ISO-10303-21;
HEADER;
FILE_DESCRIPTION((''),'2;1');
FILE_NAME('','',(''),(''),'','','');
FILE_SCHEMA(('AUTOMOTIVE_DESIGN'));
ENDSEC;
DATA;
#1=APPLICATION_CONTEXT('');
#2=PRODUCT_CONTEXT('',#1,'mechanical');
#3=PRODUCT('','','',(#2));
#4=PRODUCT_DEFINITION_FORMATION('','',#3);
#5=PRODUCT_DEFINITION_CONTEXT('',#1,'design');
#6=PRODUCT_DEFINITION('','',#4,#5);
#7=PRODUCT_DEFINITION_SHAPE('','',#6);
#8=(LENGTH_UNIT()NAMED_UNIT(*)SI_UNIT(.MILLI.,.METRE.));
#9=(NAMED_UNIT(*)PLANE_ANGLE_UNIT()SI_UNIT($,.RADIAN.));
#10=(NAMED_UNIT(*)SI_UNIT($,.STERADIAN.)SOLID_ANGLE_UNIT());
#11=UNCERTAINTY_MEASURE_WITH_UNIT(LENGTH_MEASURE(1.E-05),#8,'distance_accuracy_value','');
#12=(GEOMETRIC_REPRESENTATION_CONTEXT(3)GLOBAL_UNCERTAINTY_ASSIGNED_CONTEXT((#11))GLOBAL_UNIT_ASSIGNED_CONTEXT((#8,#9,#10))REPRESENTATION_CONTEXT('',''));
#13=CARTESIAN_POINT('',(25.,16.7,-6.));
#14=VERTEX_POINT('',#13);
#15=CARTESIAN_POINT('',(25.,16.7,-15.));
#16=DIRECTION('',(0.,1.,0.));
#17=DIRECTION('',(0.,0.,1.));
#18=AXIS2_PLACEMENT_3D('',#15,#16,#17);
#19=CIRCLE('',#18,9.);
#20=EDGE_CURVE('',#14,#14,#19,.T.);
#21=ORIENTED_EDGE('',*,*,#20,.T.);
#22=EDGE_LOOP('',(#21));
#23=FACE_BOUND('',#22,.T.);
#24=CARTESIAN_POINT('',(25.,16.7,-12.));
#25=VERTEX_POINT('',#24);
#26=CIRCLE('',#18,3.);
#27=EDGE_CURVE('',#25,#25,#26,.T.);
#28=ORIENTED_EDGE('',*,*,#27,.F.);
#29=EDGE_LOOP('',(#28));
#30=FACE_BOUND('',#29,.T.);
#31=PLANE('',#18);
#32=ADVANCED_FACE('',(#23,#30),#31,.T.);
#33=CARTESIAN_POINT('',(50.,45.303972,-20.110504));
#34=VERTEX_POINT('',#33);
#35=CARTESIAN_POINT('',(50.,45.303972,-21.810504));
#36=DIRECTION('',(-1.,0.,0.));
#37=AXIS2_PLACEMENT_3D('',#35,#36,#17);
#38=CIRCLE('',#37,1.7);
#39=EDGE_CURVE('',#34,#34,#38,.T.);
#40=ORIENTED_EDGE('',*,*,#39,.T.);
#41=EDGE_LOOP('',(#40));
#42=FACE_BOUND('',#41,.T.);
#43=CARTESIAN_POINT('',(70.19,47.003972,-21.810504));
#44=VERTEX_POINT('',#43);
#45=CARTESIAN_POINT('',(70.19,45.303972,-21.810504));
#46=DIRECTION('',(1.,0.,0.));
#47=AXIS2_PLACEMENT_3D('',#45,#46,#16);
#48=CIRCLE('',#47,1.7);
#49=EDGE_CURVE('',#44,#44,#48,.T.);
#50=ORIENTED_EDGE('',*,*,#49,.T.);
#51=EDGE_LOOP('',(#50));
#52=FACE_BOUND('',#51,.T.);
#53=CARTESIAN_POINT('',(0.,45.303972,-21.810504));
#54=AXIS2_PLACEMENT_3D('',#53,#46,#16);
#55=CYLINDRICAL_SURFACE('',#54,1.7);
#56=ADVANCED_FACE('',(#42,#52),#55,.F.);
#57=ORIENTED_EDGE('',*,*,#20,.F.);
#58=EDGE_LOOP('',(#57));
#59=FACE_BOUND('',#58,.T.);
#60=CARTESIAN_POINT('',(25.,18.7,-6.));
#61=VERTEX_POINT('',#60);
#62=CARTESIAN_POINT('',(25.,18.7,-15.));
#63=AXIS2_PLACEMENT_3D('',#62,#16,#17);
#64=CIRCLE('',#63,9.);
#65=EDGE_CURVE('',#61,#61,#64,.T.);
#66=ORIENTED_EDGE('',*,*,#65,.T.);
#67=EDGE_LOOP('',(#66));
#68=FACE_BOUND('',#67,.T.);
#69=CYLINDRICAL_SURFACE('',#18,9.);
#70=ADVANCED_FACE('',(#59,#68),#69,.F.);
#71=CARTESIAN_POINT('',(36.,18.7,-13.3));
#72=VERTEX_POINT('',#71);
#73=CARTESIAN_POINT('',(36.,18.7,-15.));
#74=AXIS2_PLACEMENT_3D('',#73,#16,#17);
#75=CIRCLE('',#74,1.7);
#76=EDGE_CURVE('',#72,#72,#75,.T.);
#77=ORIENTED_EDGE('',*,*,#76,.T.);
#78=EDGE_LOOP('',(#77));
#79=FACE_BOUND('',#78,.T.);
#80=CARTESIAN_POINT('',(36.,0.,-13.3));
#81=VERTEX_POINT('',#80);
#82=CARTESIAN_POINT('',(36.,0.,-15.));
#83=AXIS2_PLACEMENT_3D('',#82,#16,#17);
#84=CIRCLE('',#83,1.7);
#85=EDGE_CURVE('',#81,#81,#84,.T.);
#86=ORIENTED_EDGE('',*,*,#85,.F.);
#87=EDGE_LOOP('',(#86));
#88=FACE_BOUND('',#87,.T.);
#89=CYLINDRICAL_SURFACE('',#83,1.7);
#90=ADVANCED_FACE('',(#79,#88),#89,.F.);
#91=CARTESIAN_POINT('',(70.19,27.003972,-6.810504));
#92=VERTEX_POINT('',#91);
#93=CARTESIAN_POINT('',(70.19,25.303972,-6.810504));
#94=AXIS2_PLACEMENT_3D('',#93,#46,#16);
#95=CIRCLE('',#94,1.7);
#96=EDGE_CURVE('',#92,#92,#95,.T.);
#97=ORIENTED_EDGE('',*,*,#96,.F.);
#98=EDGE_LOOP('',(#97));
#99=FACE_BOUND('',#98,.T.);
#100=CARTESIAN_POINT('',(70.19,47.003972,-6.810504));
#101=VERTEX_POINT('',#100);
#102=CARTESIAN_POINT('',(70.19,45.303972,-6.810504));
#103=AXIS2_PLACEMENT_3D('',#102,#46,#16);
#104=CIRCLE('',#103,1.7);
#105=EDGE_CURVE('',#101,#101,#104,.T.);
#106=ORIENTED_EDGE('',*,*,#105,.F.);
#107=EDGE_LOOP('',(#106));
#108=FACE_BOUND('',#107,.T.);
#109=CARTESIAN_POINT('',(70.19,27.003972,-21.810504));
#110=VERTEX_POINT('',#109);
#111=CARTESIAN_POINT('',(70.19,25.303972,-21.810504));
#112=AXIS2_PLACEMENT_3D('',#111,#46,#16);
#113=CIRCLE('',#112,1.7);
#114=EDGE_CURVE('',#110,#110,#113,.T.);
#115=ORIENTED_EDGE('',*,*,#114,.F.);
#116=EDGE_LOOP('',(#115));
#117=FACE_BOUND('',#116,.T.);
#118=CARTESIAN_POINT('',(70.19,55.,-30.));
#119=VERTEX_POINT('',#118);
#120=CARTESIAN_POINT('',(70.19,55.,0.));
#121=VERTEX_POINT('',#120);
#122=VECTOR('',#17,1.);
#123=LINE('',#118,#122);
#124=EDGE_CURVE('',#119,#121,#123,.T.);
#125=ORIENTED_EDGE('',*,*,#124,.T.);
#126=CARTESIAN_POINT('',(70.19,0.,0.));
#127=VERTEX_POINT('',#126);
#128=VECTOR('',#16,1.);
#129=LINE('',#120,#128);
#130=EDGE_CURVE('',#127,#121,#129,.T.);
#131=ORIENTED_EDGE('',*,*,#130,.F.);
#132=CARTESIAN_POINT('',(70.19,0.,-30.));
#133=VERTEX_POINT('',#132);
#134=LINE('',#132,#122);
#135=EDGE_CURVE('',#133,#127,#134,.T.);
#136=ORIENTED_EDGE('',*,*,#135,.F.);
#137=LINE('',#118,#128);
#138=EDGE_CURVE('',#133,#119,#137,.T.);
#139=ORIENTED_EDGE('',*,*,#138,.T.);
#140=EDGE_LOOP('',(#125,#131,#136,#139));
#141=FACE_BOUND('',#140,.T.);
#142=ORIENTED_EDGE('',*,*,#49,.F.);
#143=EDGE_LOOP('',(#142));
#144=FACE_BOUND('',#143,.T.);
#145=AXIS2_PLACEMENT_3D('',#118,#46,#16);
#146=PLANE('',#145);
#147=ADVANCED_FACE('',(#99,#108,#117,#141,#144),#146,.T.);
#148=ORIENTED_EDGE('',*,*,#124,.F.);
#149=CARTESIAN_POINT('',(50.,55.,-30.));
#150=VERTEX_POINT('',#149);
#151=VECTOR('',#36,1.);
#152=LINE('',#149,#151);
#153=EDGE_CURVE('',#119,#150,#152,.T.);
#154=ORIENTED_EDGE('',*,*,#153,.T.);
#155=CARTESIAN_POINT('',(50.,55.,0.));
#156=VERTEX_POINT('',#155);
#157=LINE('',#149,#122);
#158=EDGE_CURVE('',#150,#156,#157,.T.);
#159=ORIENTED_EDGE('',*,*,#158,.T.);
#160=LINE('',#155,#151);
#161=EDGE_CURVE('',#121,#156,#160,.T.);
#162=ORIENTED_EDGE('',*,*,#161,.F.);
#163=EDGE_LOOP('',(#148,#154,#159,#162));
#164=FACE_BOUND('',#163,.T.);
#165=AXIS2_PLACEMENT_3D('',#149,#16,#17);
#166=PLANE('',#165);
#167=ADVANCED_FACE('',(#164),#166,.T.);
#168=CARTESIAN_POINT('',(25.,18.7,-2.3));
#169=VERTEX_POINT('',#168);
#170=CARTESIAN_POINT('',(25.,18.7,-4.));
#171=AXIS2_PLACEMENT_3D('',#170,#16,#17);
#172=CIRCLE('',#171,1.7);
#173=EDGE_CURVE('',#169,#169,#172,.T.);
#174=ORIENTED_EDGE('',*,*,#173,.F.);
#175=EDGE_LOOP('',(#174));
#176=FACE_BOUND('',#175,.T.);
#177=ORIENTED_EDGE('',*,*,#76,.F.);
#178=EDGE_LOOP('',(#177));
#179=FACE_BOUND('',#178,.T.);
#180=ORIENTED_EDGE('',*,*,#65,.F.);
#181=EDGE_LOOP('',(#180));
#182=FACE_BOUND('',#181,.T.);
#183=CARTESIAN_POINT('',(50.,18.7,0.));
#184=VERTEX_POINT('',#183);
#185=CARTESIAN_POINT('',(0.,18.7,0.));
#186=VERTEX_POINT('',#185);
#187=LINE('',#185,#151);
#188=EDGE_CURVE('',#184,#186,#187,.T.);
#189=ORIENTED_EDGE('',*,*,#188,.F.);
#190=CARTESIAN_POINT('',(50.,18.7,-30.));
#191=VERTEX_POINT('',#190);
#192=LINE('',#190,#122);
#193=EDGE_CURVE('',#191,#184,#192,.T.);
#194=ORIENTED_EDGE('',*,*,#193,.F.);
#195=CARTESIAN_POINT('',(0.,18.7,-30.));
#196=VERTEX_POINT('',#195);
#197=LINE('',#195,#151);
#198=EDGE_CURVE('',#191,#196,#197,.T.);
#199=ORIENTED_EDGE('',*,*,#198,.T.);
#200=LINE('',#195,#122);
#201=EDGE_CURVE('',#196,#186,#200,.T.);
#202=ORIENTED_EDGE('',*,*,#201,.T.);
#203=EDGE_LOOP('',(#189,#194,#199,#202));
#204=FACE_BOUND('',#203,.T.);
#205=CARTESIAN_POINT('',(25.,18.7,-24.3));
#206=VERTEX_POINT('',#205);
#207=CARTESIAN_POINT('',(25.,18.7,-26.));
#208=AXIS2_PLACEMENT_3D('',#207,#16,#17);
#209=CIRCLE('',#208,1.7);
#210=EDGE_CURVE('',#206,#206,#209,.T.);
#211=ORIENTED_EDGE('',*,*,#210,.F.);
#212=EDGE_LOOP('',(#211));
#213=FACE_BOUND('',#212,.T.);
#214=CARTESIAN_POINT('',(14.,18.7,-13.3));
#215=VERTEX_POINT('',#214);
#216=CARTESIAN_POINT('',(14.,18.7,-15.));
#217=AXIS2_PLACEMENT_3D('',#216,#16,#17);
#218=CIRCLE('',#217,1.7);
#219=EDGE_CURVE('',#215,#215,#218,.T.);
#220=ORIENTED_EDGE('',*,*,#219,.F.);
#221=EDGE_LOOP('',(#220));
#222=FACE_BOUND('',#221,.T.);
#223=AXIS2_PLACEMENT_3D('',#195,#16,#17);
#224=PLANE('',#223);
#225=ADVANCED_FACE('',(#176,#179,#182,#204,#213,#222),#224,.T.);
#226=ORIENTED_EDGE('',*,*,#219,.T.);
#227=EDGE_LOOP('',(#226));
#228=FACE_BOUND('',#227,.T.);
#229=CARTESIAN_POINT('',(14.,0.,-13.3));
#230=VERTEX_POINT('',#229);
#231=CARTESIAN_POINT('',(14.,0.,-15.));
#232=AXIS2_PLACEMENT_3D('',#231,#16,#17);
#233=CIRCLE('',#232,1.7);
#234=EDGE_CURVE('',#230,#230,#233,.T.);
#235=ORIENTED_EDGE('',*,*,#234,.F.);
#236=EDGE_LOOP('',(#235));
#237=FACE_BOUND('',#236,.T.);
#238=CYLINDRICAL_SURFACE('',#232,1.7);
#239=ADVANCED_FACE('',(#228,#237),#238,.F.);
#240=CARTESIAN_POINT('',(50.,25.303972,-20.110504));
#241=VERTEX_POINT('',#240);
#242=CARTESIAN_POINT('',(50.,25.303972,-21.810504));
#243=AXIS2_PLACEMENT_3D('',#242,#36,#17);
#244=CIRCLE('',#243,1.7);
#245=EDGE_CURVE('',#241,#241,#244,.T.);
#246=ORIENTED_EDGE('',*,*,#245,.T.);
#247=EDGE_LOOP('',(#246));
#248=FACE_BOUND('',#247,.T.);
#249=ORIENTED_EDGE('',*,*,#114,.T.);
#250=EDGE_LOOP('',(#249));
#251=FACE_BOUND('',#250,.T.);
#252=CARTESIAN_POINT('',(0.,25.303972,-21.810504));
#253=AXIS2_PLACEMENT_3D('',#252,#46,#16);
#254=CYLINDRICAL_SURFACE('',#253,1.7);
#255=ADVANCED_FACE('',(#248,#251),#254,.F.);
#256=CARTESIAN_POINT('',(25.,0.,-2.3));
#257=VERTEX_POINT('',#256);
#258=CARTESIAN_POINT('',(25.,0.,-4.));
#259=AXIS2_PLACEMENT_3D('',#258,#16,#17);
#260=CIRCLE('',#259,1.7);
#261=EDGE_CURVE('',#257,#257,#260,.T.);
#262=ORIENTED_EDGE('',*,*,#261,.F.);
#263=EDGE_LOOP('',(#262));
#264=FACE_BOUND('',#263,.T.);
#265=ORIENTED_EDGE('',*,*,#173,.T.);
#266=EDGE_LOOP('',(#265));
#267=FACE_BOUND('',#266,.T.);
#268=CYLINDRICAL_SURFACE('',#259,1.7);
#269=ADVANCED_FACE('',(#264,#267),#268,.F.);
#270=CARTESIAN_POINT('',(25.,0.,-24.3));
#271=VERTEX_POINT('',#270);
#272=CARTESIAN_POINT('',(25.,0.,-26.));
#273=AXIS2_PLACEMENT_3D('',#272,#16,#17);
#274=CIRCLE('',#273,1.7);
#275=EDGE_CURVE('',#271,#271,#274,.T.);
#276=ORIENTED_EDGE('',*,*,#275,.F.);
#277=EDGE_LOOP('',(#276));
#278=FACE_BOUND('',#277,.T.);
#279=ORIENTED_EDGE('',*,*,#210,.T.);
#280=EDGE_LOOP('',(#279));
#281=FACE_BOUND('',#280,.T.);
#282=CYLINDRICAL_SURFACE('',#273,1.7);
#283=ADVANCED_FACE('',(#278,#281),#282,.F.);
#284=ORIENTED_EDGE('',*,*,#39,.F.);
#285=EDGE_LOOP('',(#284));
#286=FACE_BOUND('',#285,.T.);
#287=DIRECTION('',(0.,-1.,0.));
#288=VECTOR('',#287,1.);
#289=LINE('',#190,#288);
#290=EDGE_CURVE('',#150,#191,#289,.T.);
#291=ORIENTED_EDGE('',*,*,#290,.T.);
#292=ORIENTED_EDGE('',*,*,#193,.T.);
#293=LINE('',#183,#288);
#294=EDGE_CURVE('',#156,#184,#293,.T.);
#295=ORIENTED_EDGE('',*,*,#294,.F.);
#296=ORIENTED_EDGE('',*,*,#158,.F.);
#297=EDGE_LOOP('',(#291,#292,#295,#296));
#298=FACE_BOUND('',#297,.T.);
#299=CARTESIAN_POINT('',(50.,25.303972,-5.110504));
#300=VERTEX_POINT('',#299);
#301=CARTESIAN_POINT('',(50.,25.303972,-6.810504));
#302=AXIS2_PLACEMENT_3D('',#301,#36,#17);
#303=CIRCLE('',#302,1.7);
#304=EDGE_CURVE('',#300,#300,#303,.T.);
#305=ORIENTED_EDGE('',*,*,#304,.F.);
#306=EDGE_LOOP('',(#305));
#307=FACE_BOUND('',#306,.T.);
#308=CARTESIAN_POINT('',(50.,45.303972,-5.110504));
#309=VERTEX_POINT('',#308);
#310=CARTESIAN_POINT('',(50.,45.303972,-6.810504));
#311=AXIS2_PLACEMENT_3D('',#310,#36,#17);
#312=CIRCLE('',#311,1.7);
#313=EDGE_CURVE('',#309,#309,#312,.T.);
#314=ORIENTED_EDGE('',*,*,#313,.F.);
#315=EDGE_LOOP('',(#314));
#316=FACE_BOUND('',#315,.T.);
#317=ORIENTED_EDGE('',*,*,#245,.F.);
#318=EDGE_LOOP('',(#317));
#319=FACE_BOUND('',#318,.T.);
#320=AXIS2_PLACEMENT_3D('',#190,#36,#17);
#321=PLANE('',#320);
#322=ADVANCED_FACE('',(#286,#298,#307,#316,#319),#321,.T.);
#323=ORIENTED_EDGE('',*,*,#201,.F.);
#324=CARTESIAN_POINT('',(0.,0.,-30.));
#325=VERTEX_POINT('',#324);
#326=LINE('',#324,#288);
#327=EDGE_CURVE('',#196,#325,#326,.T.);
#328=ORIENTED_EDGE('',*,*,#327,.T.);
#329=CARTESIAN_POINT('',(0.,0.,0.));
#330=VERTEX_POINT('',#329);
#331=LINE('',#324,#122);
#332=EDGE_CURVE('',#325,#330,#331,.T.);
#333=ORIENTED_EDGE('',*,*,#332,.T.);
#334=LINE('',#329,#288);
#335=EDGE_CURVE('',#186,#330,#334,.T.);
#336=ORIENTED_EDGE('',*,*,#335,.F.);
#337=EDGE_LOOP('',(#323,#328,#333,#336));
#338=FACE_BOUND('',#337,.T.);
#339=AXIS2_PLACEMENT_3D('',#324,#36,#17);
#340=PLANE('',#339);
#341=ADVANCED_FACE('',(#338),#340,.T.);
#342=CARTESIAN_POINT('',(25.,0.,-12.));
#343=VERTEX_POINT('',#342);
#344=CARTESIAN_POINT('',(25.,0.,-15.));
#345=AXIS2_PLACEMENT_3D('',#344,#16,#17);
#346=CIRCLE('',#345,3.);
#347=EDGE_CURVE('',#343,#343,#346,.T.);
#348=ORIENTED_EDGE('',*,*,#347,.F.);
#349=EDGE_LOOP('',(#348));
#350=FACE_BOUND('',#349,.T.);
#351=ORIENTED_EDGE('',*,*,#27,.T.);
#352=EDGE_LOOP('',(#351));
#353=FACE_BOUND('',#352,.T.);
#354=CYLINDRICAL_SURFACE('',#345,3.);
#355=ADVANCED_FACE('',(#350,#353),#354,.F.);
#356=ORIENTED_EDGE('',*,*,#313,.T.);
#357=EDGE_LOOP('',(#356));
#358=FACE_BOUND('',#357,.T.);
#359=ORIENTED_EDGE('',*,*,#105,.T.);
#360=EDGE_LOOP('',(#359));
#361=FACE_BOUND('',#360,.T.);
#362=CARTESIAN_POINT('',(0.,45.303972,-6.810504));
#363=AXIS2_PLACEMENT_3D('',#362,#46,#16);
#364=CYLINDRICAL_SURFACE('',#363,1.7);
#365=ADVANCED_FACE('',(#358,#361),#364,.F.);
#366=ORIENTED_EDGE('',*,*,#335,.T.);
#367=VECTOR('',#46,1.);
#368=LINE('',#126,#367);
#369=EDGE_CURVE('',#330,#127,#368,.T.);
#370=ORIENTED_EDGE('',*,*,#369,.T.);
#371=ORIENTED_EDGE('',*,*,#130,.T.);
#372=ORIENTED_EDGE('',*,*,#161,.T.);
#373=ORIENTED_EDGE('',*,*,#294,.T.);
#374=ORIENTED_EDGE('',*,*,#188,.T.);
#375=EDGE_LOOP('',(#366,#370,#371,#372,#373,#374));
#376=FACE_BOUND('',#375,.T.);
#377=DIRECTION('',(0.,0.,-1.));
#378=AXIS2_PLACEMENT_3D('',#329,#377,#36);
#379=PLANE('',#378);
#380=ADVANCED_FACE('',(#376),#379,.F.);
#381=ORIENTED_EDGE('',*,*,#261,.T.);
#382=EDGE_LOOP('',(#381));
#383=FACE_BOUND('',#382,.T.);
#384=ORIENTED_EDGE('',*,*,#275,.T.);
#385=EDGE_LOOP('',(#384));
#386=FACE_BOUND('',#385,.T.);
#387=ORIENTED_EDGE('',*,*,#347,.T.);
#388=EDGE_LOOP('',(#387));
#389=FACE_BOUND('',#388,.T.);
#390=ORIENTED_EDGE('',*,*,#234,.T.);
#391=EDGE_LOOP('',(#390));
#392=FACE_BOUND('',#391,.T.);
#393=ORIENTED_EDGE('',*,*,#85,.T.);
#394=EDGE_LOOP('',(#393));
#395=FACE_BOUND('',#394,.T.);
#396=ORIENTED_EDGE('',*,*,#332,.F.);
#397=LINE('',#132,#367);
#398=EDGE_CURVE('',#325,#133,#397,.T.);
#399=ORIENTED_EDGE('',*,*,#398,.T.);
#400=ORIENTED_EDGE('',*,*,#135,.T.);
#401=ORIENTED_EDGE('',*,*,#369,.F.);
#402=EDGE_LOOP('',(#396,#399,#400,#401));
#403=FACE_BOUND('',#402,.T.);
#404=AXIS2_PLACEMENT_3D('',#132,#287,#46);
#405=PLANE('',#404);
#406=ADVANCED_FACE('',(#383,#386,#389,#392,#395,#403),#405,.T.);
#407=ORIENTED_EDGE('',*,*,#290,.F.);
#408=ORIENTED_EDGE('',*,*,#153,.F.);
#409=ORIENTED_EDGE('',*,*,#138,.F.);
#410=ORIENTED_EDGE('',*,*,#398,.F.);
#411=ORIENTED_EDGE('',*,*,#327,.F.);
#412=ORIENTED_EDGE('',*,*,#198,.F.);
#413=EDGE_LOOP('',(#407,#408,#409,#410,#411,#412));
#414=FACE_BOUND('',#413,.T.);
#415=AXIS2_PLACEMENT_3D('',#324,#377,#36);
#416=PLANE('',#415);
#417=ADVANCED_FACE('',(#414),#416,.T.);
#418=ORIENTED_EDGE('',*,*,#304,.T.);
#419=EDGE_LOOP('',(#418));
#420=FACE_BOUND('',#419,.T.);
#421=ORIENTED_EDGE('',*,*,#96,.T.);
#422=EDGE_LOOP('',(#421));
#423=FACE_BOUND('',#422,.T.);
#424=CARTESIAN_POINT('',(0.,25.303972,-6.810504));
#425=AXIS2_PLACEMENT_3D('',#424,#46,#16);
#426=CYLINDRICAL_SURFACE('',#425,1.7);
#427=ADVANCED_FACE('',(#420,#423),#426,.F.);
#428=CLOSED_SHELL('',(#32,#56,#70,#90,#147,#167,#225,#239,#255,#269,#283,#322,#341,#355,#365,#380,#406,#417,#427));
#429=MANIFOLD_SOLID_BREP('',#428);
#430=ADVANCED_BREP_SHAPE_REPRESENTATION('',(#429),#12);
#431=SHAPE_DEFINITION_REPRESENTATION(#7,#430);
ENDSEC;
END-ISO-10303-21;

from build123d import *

# Parameters (mm, degrees)
BOSS_EXTRUDE1_DEPTH = 30
SKETCH2_R           = 9
CUT_EXTRUDE1_DEPTH  = 2
SKETCH4_R           = 1.7
SKETCH4_R_2         = 3
CUT_EXTRUDE2_DEPTH  = 85.524115494
SKETCH5_R           = 1.7
CUT_EXTRUDE3_DEPTH  = 95.083133983


with BuildPart() as part:
    # Sketch1 → Boss-Extrude1 (new body)
    with BuildSketch(Plane.XY):
        Polygon((0, 0), (0, 18.7), (50, 18.7), (50, 55), (70.19, 55), (70.19, 0), align=None)
    extrude(amount=-BOSS_EXTRUDE1_DEPTH)

    # Sketch2 → Cut-Extrude1 (cut)
    with BuildSketch(Plane(origin=(0, 18.7, 0), x_dir=(1, 0, 0), z_dir=(0, 1, 0))):
        with Locations(Location((25, 15, 0), (0, 0, 270))):
            Circle(SKETCH2_R)
    extrude(amount=-CUT_EXTRUDE1_DEPTH, mode=Mode.SUBTRACT)

    # Sketch4 → Cut-Extrude2 (cut, through all)
    with BuildSketch(Plane(origin=(0, 18.7, 0), x_dir=(1, 0, 0), z_dir=(0, 1, 0))):
        with Locations(Location((25, 26, 0), (0, 0, 270))):
            Circle(SKETCH4_R)
        with Locations(Location((36, 15, 0), (0, 0, 270))):
            Circle(SKETCH4_R)
        with Locations(Location((25, 4, 0), (0, 0, 270))):
            Circle(SKETCH4_R)
        with Locations(Location((14, 15, 0), (0, 0, 270))):
            Circle(SKETCH4_R)
        with Locations(Location((25, 15, 0), (0, 0, 270))):
            Circle(SKETCH4_R_2)
    extrude(amount=-CUT_EXTRUDE2_DEPTH, mode=Mode.SUBTRACT)

    # Sketch5 → Cut-Extrude3 (cut, through all)
    with BuildSketch(Plane(origin=(70.19, 0, 0), x_dir=(0, 0, -1), z_dir=(1, 0, 0))):
        with Locations(Location((6.810503995, 45.303971798, 0), (0, 0, 90))):
            Circle(SKETCH5_R)
        with Locations(Location((6.810503995, 25.303971798, 0), (0, 0, 90))):
            Circle(SKETCH5_R)
        with Locations(Location((21.810503995, 45.303971798, 0), (0, 0, 90))):
            Circle(SKETCH5_R)
        with Locations(Location((21.810503995, 25.303971798, 0), (0, 0, 90))):
            Circle(SKETCH5_R)
    extrude(amount=-CUT_EXTRUDE3_DEPTH, mode=Mode.SUBTRACT)


solid = part.part
